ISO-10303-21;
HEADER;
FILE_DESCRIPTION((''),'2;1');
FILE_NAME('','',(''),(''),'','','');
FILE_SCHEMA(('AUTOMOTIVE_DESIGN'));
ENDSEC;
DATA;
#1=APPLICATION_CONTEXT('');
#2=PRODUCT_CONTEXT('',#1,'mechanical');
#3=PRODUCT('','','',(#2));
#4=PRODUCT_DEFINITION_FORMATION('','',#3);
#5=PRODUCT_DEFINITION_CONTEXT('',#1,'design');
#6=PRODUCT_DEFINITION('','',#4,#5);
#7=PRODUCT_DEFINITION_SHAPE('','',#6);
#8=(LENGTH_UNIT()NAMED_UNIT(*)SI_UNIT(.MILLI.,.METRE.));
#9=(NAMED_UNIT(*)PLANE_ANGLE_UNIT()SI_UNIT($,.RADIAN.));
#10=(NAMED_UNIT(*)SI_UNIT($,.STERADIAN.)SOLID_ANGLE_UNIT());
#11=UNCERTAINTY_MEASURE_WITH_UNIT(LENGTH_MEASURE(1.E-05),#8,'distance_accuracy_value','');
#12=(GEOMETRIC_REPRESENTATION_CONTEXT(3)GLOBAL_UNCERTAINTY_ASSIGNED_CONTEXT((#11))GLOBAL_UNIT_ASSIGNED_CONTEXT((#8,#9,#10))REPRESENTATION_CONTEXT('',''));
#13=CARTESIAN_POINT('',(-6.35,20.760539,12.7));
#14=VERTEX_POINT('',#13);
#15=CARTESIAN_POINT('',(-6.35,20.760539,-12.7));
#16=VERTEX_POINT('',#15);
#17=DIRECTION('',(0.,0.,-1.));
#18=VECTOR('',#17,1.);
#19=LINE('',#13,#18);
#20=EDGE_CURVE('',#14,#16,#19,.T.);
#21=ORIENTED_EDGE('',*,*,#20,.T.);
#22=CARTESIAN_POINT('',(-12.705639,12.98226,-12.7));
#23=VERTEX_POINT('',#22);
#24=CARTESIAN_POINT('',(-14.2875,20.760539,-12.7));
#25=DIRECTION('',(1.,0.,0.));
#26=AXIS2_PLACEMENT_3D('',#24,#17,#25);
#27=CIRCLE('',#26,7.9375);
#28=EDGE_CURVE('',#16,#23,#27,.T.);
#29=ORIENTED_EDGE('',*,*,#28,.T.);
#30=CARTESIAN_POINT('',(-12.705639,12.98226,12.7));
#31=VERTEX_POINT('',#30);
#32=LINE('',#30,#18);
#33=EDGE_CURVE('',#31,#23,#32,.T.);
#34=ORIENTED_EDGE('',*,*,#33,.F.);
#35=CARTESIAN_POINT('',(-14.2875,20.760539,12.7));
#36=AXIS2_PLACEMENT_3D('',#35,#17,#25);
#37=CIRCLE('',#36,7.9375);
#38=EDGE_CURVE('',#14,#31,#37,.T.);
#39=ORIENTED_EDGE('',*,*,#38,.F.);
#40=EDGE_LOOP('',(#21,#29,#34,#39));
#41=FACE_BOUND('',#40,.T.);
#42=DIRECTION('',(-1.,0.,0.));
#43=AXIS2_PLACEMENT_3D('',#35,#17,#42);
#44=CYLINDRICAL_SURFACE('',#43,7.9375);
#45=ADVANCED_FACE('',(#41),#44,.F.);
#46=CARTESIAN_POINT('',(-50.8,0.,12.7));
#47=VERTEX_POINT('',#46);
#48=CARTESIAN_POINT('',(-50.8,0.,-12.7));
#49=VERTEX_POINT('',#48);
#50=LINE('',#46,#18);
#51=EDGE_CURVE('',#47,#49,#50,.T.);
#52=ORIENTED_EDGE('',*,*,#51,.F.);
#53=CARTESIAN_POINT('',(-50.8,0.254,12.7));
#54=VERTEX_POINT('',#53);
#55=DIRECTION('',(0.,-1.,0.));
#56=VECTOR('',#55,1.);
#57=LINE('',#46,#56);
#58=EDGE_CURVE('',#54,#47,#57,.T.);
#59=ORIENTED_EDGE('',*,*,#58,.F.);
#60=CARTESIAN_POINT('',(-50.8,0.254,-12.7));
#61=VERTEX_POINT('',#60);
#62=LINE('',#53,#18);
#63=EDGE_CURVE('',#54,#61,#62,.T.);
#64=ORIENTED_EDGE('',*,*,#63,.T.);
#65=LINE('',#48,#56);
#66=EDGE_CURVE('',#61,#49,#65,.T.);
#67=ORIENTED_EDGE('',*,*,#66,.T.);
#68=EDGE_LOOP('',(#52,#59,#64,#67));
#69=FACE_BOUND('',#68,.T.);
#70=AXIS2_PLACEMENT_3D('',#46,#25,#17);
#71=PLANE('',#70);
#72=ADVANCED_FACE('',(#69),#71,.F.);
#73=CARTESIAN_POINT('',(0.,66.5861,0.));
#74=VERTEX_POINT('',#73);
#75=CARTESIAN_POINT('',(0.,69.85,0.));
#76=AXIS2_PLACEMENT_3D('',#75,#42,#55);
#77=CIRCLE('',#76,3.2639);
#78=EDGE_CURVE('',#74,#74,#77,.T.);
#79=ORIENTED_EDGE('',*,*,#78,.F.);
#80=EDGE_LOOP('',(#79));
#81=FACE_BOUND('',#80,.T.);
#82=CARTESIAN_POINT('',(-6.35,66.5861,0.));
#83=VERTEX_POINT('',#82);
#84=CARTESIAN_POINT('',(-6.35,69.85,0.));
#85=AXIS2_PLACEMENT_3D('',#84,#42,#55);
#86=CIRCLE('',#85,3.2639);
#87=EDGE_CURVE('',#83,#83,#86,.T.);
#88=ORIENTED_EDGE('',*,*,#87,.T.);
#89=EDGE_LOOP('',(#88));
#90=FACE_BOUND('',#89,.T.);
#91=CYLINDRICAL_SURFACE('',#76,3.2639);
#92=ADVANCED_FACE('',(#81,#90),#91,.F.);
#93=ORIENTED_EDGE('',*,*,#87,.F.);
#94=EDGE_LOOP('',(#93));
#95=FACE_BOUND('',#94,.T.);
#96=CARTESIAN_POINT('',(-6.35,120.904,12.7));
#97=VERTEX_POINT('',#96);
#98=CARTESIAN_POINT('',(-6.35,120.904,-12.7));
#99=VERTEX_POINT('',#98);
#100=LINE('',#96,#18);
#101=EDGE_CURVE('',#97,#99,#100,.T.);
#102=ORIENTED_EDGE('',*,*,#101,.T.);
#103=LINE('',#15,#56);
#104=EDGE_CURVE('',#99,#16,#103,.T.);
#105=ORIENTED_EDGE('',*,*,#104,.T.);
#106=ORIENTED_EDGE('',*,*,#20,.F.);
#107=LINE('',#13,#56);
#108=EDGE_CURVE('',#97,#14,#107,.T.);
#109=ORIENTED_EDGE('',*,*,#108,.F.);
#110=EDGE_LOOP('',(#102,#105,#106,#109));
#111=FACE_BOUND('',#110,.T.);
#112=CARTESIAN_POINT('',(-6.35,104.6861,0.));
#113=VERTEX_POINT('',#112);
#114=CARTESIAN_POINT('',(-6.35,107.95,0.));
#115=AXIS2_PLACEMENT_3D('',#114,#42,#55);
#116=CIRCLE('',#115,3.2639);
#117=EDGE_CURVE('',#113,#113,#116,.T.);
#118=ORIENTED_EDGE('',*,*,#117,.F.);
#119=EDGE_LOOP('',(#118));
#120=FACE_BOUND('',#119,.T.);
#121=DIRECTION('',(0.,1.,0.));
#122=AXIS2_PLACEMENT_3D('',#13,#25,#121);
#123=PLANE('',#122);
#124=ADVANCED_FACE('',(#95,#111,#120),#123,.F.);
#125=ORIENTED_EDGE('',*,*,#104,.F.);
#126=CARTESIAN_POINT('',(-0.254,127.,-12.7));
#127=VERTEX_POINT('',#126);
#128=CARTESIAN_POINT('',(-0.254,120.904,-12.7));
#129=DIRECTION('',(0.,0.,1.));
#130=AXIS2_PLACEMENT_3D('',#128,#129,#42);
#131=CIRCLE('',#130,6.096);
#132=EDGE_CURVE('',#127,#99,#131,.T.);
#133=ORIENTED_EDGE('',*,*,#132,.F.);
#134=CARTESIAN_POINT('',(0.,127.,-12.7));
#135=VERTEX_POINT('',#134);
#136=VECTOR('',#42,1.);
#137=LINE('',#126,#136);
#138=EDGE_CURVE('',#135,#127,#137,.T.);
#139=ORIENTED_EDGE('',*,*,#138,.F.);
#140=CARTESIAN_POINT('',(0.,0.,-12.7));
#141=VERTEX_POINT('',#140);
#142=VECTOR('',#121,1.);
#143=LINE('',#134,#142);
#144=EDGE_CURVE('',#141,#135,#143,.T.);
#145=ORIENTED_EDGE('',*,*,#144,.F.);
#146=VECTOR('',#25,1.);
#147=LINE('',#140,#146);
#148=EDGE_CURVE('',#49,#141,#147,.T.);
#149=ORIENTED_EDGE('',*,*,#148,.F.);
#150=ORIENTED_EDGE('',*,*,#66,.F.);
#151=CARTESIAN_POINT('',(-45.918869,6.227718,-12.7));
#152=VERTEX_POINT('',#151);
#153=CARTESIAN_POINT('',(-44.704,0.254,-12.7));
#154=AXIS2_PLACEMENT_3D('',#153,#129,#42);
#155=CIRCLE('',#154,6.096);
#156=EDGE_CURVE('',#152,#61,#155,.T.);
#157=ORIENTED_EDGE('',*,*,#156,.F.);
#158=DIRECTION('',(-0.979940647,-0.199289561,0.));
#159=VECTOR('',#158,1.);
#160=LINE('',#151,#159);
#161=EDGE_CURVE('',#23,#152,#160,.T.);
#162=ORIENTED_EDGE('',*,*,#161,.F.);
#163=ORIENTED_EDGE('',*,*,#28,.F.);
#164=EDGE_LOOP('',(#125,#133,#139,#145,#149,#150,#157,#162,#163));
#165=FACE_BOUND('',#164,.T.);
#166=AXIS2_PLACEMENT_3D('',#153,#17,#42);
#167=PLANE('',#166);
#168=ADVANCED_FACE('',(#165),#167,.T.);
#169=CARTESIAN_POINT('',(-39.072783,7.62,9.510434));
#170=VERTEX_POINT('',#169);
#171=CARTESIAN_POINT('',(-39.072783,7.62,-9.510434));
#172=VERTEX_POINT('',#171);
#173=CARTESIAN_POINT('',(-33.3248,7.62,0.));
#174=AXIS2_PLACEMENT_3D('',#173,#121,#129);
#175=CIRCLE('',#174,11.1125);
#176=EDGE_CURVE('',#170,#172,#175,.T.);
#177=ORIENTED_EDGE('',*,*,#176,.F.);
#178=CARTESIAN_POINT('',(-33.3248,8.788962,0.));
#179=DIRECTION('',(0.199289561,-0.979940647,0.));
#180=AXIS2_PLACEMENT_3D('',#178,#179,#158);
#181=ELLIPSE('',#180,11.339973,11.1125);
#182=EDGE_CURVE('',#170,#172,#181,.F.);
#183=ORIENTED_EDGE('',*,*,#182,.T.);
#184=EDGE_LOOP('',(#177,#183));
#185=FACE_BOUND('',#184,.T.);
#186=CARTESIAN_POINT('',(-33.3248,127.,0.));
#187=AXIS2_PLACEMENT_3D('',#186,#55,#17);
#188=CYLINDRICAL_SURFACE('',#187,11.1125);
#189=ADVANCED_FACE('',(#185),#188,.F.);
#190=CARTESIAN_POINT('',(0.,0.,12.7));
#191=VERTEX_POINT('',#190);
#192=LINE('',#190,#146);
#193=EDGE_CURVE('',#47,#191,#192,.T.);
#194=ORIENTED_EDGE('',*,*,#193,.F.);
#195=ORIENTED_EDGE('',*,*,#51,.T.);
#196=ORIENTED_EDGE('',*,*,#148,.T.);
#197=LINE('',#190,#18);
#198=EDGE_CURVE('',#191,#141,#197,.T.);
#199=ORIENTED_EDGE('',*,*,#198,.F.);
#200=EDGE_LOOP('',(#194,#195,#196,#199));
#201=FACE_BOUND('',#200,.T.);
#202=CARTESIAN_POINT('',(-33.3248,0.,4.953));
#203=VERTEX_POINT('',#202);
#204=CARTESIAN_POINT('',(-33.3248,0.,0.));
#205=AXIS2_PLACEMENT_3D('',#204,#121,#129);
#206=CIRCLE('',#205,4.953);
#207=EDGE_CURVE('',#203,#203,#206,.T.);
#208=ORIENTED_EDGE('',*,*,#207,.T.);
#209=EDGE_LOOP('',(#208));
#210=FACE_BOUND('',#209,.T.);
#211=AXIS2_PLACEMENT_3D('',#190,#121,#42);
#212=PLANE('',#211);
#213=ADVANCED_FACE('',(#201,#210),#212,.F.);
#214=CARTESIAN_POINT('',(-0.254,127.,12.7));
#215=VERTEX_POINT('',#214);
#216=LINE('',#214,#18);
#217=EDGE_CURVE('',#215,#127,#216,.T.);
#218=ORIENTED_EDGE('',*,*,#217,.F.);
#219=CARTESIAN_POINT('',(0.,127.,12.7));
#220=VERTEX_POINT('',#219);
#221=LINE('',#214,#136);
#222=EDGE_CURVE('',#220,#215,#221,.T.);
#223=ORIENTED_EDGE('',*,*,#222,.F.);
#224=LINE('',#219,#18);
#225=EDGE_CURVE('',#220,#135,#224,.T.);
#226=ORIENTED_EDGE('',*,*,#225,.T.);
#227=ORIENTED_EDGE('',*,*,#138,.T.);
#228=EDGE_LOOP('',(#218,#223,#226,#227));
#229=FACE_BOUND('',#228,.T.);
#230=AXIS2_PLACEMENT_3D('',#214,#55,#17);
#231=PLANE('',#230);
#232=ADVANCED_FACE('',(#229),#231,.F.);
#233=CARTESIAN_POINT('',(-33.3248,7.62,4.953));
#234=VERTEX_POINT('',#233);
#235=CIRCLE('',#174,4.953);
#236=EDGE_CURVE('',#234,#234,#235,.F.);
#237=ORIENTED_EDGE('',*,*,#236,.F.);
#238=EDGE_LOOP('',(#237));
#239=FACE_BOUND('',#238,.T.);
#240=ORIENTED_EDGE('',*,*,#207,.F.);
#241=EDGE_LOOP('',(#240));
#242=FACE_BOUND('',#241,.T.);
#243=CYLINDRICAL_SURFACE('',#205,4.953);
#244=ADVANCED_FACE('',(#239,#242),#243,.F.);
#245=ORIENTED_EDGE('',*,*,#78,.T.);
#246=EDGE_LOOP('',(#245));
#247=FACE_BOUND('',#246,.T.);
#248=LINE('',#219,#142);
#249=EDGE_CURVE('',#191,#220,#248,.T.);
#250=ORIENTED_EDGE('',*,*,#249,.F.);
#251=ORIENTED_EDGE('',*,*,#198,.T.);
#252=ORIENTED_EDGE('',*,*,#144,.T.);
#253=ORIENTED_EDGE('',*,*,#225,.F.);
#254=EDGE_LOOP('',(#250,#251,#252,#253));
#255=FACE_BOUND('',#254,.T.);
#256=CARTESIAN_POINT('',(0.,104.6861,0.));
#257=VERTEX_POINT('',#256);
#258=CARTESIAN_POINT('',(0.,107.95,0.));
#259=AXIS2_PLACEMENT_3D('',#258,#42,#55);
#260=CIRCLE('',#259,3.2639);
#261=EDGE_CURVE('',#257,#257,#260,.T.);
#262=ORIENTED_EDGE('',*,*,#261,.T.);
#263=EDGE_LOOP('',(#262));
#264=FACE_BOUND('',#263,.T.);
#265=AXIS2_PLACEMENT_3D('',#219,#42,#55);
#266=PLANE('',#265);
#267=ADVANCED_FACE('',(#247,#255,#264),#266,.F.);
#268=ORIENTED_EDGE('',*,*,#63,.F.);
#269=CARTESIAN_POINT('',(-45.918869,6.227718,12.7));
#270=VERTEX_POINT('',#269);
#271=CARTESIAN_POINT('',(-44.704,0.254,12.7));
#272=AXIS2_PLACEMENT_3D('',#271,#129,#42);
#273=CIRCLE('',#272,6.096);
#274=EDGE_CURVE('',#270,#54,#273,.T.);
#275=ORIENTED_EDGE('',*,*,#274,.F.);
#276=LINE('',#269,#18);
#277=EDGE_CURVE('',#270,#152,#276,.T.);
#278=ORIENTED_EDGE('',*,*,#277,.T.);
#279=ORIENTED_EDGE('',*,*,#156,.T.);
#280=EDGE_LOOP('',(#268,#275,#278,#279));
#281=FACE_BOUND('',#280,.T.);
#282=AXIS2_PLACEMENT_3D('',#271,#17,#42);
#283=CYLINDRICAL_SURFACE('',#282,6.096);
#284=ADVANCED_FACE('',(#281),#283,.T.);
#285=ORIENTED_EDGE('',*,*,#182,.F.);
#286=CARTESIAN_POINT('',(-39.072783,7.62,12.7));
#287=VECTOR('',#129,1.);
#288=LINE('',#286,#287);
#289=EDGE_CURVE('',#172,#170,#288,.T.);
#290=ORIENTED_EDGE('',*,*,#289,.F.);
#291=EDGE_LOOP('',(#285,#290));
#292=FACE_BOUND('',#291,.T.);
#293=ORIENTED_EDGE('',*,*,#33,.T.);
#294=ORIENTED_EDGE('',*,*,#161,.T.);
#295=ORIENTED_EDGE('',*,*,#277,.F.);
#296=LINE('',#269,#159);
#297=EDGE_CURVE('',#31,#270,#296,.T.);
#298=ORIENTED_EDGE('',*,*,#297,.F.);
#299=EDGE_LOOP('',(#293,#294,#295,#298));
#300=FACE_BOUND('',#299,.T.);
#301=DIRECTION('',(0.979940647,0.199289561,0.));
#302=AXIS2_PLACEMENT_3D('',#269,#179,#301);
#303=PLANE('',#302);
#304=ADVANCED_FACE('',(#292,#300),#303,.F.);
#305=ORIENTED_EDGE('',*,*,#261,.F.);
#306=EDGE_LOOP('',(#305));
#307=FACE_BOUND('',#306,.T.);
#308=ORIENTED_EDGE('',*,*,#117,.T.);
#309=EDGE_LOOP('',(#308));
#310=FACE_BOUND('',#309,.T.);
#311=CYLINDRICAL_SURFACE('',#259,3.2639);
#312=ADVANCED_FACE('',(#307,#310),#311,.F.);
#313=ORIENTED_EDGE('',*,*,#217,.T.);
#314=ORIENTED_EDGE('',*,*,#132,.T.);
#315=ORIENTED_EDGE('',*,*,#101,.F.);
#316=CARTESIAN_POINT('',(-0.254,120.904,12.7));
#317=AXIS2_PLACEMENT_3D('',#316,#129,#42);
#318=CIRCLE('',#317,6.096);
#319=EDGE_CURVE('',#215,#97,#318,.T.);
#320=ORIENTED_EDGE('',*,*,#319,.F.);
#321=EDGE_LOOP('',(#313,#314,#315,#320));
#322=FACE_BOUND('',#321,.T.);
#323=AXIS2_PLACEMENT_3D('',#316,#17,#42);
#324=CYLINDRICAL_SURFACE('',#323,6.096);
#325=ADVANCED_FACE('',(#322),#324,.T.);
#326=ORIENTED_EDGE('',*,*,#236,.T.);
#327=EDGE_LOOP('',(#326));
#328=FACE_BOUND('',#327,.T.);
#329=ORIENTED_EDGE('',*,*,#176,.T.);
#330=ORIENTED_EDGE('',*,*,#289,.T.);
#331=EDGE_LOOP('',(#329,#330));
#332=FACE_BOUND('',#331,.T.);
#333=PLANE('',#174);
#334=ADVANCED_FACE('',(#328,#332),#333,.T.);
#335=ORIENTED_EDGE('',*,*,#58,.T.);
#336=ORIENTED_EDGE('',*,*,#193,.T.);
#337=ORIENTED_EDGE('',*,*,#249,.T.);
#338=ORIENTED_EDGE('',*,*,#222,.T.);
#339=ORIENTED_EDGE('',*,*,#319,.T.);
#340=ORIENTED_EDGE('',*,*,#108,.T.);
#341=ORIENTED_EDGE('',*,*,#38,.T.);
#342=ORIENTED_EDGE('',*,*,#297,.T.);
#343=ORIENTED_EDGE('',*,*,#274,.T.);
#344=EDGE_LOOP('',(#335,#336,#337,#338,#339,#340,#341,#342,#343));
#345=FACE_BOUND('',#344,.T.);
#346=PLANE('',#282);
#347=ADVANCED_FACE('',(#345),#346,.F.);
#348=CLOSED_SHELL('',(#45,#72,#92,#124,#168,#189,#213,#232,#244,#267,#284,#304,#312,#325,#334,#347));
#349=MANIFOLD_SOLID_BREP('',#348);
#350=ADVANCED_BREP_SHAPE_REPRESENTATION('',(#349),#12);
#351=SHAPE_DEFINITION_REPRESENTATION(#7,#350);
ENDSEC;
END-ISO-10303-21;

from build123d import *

# Parameters (mm, degrees)
EXTRUDE1_DEPTH     = 12.7
SKETCH5_R          = 3.2639
CUT_EXTRUDE1_DEPTH = 136.152108752
SKETCH6_R          = 4.953
CUT_EXTRUDE2_DEPTH = 131.359174591
SKETCH7_R          = 11.1125
CUT_EXTRUDE3_DEPTH = 131.359174591


with BuildPart() as part:
    # Sketch1 → Extrude1 (new, symmetric)
    with BuildSketch(Plane.XY):
        with BuildLine():
            Line((0, 127), (0, 0))
            Line((0, 0), (-50.8, 0))
            Line((-50.8, 0), (-50.8, 0.254))
            ThreePointArc((-50.8, 0.254), (-49.424543317, 4.111160457), (-45.918869163, 6.227718182))
            Line((-45.918869163, 6.227718182), (-12.70563911, 12.982259955))
            ThreePointArc((-12.70563911, 12.982259955), (-8.140959222, 15.738194493), (-6.35, 20.760538838))
            Line((-6.35, 20.760538838), (-6.35, 120.904))
            ThreePointArc((-6.35, 120.904), (-4.564522938, 125.214522938), (-0.254, 127))
            Line((-0.254, 127), (0, 127))
        make_face()
    extrude(amount=EXTRUDE1_DEPTH, both=True)

    # Sketch5 → Cut-Extrude1 (cut, through all)
    with BuildSketch(Plane.ZY.offset(6.35)):
        with Locations(Location((0, 69.85, 0), (0, 0, 270))):
            Circle(SKETCH5_R)
        with Locations(Location((0, 107.95, 0), (0, 0, 270))):
            Circle(SKETCH5_R)
    extrude(amount=-CUT_EXTRUDE1_DEPTH, mode=Mode.SUBTRACT)

    # Sketch6 → Cut-Extrude2 (cut, through all)
    with BuildSketch(Plane(origin=(0, 7.62, 0), x_dir=(-1, 0, 0), z_dir=(0, 1, 0))):
        with Locations(Location((33.3248, 0, 0), (0, 0, 90))):
            Circle(SKETCH6_R)
    extrude(amount=-CUT_EXTRUDE2_DEPTH, mode=Mode.SUBTRACT)

    # Sketch7 → Cut-Extrude3 (cut, through all)
    with BuildSketch(Plane(origin=(0, 7.62, 0), x_dir=(-1, 0, 0), z_dir=(0, 1, 0))):
        with Locations((33.3248, 0)):
            Circle(SKETCH7_R)
    extrude(amount=CUT_EXTRUDE3_DEPTH, mode=Mode.SUBTRACT)


solid = part.part
